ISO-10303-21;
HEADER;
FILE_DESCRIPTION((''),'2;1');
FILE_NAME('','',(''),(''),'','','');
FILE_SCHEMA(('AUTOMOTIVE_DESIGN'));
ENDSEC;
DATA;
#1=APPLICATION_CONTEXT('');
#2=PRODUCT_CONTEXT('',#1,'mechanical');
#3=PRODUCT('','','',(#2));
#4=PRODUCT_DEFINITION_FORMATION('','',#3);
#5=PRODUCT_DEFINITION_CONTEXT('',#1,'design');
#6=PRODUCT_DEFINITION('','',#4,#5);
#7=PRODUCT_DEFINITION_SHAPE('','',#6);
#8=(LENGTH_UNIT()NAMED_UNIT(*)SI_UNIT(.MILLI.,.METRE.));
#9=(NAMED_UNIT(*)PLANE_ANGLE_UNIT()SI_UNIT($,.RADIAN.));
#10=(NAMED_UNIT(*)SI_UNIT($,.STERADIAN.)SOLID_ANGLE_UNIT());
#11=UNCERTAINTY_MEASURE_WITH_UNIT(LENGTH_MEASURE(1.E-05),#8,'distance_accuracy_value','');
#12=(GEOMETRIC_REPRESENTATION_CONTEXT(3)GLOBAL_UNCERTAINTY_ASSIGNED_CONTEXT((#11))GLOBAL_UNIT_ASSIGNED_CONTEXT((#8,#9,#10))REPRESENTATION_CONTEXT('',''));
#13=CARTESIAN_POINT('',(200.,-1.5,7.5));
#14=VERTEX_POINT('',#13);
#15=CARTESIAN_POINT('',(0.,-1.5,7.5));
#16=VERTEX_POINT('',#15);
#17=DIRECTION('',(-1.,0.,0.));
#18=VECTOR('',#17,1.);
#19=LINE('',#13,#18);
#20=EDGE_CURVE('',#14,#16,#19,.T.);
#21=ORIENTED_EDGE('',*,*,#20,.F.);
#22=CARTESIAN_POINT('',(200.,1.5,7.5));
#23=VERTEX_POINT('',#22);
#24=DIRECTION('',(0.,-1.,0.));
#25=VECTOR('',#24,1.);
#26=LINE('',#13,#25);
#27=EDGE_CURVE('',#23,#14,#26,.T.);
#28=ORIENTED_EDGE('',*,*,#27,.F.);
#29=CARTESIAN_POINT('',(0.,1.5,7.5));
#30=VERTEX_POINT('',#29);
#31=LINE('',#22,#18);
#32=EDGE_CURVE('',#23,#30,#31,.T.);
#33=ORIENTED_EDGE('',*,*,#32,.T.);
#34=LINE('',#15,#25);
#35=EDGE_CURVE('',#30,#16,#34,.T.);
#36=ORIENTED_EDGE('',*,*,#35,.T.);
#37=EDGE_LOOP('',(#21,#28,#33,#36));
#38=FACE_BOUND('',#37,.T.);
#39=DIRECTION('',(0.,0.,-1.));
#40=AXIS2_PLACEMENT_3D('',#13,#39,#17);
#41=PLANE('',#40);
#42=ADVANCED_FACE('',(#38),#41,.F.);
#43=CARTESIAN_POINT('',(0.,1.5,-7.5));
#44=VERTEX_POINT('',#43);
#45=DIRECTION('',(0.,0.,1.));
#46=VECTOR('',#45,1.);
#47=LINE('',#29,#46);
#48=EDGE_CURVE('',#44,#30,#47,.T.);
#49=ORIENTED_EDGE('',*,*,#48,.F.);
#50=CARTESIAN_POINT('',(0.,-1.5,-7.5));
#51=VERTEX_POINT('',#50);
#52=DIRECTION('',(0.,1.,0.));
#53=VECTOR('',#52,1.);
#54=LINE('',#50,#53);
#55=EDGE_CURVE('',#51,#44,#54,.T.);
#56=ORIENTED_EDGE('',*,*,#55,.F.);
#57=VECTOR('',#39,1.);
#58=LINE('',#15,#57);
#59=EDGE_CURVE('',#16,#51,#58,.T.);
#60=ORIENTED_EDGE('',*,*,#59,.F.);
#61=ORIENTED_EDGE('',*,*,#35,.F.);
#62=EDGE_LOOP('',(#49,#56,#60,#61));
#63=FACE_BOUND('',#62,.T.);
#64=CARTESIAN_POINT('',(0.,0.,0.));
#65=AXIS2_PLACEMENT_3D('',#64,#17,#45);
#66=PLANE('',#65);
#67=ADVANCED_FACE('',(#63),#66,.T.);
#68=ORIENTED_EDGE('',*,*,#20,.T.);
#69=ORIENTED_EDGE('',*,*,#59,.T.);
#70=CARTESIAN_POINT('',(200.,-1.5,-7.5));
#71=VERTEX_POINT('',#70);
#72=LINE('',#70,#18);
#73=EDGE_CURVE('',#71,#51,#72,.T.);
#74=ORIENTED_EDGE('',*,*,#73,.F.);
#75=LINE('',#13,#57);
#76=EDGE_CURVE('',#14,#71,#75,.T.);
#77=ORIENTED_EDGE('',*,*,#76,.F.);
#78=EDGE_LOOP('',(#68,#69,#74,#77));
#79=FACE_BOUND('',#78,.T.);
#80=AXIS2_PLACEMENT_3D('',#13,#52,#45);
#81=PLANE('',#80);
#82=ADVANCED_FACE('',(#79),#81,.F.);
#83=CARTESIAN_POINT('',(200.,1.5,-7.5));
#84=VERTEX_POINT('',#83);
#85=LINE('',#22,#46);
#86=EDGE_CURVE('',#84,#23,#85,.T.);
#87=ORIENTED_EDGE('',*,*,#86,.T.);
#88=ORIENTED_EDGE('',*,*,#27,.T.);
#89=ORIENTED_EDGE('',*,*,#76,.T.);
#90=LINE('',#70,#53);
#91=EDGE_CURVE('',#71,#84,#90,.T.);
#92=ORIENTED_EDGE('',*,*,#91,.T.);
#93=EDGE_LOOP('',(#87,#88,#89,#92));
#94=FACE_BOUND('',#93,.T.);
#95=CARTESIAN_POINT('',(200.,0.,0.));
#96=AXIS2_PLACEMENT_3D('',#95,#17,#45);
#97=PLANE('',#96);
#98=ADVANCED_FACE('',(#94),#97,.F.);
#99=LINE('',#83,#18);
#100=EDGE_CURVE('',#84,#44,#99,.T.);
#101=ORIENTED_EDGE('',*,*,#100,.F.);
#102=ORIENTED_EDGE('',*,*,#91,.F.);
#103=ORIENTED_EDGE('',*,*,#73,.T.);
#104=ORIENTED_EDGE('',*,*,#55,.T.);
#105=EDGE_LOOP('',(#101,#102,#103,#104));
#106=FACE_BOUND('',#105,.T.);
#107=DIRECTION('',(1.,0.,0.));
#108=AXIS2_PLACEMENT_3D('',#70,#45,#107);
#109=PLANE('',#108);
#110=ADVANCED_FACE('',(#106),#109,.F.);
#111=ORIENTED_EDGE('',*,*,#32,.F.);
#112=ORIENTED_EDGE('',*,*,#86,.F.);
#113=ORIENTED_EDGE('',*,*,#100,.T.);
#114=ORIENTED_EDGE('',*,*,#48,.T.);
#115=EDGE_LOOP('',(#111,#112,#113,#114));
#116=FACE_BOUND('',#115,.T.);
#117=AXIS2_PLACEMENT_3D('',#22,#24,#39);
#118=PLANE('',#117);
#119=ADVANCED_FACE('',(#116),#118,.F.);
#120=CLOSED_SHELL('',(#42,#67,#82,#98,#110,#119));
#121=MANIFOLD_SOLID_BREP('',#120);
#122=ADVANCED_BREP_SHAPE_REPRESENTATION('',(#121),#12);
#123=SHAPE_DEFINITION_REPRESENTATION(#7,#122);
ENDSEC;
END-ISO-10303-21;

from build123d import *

# Parameters (mm, degrees)
SKETCH_1_W      = 15
SKETCH_1_H      = 3
EXTRUDE_1_DEPTH = 200


with BuildPart() as part:
    # Эскиз1 → Бобышка-Вытянуть1 (new body)
    with BuildSketch(Plane(origin=(0, 0, 0), x_dir=(0, 0, -1), z_dir=(1, 0, 0))):
        Rectangle(SKETCH_1_W, SKETCH_1_H)
    extrude(amount=EXTRUDE_1_DEPTH)


solid = part.part
